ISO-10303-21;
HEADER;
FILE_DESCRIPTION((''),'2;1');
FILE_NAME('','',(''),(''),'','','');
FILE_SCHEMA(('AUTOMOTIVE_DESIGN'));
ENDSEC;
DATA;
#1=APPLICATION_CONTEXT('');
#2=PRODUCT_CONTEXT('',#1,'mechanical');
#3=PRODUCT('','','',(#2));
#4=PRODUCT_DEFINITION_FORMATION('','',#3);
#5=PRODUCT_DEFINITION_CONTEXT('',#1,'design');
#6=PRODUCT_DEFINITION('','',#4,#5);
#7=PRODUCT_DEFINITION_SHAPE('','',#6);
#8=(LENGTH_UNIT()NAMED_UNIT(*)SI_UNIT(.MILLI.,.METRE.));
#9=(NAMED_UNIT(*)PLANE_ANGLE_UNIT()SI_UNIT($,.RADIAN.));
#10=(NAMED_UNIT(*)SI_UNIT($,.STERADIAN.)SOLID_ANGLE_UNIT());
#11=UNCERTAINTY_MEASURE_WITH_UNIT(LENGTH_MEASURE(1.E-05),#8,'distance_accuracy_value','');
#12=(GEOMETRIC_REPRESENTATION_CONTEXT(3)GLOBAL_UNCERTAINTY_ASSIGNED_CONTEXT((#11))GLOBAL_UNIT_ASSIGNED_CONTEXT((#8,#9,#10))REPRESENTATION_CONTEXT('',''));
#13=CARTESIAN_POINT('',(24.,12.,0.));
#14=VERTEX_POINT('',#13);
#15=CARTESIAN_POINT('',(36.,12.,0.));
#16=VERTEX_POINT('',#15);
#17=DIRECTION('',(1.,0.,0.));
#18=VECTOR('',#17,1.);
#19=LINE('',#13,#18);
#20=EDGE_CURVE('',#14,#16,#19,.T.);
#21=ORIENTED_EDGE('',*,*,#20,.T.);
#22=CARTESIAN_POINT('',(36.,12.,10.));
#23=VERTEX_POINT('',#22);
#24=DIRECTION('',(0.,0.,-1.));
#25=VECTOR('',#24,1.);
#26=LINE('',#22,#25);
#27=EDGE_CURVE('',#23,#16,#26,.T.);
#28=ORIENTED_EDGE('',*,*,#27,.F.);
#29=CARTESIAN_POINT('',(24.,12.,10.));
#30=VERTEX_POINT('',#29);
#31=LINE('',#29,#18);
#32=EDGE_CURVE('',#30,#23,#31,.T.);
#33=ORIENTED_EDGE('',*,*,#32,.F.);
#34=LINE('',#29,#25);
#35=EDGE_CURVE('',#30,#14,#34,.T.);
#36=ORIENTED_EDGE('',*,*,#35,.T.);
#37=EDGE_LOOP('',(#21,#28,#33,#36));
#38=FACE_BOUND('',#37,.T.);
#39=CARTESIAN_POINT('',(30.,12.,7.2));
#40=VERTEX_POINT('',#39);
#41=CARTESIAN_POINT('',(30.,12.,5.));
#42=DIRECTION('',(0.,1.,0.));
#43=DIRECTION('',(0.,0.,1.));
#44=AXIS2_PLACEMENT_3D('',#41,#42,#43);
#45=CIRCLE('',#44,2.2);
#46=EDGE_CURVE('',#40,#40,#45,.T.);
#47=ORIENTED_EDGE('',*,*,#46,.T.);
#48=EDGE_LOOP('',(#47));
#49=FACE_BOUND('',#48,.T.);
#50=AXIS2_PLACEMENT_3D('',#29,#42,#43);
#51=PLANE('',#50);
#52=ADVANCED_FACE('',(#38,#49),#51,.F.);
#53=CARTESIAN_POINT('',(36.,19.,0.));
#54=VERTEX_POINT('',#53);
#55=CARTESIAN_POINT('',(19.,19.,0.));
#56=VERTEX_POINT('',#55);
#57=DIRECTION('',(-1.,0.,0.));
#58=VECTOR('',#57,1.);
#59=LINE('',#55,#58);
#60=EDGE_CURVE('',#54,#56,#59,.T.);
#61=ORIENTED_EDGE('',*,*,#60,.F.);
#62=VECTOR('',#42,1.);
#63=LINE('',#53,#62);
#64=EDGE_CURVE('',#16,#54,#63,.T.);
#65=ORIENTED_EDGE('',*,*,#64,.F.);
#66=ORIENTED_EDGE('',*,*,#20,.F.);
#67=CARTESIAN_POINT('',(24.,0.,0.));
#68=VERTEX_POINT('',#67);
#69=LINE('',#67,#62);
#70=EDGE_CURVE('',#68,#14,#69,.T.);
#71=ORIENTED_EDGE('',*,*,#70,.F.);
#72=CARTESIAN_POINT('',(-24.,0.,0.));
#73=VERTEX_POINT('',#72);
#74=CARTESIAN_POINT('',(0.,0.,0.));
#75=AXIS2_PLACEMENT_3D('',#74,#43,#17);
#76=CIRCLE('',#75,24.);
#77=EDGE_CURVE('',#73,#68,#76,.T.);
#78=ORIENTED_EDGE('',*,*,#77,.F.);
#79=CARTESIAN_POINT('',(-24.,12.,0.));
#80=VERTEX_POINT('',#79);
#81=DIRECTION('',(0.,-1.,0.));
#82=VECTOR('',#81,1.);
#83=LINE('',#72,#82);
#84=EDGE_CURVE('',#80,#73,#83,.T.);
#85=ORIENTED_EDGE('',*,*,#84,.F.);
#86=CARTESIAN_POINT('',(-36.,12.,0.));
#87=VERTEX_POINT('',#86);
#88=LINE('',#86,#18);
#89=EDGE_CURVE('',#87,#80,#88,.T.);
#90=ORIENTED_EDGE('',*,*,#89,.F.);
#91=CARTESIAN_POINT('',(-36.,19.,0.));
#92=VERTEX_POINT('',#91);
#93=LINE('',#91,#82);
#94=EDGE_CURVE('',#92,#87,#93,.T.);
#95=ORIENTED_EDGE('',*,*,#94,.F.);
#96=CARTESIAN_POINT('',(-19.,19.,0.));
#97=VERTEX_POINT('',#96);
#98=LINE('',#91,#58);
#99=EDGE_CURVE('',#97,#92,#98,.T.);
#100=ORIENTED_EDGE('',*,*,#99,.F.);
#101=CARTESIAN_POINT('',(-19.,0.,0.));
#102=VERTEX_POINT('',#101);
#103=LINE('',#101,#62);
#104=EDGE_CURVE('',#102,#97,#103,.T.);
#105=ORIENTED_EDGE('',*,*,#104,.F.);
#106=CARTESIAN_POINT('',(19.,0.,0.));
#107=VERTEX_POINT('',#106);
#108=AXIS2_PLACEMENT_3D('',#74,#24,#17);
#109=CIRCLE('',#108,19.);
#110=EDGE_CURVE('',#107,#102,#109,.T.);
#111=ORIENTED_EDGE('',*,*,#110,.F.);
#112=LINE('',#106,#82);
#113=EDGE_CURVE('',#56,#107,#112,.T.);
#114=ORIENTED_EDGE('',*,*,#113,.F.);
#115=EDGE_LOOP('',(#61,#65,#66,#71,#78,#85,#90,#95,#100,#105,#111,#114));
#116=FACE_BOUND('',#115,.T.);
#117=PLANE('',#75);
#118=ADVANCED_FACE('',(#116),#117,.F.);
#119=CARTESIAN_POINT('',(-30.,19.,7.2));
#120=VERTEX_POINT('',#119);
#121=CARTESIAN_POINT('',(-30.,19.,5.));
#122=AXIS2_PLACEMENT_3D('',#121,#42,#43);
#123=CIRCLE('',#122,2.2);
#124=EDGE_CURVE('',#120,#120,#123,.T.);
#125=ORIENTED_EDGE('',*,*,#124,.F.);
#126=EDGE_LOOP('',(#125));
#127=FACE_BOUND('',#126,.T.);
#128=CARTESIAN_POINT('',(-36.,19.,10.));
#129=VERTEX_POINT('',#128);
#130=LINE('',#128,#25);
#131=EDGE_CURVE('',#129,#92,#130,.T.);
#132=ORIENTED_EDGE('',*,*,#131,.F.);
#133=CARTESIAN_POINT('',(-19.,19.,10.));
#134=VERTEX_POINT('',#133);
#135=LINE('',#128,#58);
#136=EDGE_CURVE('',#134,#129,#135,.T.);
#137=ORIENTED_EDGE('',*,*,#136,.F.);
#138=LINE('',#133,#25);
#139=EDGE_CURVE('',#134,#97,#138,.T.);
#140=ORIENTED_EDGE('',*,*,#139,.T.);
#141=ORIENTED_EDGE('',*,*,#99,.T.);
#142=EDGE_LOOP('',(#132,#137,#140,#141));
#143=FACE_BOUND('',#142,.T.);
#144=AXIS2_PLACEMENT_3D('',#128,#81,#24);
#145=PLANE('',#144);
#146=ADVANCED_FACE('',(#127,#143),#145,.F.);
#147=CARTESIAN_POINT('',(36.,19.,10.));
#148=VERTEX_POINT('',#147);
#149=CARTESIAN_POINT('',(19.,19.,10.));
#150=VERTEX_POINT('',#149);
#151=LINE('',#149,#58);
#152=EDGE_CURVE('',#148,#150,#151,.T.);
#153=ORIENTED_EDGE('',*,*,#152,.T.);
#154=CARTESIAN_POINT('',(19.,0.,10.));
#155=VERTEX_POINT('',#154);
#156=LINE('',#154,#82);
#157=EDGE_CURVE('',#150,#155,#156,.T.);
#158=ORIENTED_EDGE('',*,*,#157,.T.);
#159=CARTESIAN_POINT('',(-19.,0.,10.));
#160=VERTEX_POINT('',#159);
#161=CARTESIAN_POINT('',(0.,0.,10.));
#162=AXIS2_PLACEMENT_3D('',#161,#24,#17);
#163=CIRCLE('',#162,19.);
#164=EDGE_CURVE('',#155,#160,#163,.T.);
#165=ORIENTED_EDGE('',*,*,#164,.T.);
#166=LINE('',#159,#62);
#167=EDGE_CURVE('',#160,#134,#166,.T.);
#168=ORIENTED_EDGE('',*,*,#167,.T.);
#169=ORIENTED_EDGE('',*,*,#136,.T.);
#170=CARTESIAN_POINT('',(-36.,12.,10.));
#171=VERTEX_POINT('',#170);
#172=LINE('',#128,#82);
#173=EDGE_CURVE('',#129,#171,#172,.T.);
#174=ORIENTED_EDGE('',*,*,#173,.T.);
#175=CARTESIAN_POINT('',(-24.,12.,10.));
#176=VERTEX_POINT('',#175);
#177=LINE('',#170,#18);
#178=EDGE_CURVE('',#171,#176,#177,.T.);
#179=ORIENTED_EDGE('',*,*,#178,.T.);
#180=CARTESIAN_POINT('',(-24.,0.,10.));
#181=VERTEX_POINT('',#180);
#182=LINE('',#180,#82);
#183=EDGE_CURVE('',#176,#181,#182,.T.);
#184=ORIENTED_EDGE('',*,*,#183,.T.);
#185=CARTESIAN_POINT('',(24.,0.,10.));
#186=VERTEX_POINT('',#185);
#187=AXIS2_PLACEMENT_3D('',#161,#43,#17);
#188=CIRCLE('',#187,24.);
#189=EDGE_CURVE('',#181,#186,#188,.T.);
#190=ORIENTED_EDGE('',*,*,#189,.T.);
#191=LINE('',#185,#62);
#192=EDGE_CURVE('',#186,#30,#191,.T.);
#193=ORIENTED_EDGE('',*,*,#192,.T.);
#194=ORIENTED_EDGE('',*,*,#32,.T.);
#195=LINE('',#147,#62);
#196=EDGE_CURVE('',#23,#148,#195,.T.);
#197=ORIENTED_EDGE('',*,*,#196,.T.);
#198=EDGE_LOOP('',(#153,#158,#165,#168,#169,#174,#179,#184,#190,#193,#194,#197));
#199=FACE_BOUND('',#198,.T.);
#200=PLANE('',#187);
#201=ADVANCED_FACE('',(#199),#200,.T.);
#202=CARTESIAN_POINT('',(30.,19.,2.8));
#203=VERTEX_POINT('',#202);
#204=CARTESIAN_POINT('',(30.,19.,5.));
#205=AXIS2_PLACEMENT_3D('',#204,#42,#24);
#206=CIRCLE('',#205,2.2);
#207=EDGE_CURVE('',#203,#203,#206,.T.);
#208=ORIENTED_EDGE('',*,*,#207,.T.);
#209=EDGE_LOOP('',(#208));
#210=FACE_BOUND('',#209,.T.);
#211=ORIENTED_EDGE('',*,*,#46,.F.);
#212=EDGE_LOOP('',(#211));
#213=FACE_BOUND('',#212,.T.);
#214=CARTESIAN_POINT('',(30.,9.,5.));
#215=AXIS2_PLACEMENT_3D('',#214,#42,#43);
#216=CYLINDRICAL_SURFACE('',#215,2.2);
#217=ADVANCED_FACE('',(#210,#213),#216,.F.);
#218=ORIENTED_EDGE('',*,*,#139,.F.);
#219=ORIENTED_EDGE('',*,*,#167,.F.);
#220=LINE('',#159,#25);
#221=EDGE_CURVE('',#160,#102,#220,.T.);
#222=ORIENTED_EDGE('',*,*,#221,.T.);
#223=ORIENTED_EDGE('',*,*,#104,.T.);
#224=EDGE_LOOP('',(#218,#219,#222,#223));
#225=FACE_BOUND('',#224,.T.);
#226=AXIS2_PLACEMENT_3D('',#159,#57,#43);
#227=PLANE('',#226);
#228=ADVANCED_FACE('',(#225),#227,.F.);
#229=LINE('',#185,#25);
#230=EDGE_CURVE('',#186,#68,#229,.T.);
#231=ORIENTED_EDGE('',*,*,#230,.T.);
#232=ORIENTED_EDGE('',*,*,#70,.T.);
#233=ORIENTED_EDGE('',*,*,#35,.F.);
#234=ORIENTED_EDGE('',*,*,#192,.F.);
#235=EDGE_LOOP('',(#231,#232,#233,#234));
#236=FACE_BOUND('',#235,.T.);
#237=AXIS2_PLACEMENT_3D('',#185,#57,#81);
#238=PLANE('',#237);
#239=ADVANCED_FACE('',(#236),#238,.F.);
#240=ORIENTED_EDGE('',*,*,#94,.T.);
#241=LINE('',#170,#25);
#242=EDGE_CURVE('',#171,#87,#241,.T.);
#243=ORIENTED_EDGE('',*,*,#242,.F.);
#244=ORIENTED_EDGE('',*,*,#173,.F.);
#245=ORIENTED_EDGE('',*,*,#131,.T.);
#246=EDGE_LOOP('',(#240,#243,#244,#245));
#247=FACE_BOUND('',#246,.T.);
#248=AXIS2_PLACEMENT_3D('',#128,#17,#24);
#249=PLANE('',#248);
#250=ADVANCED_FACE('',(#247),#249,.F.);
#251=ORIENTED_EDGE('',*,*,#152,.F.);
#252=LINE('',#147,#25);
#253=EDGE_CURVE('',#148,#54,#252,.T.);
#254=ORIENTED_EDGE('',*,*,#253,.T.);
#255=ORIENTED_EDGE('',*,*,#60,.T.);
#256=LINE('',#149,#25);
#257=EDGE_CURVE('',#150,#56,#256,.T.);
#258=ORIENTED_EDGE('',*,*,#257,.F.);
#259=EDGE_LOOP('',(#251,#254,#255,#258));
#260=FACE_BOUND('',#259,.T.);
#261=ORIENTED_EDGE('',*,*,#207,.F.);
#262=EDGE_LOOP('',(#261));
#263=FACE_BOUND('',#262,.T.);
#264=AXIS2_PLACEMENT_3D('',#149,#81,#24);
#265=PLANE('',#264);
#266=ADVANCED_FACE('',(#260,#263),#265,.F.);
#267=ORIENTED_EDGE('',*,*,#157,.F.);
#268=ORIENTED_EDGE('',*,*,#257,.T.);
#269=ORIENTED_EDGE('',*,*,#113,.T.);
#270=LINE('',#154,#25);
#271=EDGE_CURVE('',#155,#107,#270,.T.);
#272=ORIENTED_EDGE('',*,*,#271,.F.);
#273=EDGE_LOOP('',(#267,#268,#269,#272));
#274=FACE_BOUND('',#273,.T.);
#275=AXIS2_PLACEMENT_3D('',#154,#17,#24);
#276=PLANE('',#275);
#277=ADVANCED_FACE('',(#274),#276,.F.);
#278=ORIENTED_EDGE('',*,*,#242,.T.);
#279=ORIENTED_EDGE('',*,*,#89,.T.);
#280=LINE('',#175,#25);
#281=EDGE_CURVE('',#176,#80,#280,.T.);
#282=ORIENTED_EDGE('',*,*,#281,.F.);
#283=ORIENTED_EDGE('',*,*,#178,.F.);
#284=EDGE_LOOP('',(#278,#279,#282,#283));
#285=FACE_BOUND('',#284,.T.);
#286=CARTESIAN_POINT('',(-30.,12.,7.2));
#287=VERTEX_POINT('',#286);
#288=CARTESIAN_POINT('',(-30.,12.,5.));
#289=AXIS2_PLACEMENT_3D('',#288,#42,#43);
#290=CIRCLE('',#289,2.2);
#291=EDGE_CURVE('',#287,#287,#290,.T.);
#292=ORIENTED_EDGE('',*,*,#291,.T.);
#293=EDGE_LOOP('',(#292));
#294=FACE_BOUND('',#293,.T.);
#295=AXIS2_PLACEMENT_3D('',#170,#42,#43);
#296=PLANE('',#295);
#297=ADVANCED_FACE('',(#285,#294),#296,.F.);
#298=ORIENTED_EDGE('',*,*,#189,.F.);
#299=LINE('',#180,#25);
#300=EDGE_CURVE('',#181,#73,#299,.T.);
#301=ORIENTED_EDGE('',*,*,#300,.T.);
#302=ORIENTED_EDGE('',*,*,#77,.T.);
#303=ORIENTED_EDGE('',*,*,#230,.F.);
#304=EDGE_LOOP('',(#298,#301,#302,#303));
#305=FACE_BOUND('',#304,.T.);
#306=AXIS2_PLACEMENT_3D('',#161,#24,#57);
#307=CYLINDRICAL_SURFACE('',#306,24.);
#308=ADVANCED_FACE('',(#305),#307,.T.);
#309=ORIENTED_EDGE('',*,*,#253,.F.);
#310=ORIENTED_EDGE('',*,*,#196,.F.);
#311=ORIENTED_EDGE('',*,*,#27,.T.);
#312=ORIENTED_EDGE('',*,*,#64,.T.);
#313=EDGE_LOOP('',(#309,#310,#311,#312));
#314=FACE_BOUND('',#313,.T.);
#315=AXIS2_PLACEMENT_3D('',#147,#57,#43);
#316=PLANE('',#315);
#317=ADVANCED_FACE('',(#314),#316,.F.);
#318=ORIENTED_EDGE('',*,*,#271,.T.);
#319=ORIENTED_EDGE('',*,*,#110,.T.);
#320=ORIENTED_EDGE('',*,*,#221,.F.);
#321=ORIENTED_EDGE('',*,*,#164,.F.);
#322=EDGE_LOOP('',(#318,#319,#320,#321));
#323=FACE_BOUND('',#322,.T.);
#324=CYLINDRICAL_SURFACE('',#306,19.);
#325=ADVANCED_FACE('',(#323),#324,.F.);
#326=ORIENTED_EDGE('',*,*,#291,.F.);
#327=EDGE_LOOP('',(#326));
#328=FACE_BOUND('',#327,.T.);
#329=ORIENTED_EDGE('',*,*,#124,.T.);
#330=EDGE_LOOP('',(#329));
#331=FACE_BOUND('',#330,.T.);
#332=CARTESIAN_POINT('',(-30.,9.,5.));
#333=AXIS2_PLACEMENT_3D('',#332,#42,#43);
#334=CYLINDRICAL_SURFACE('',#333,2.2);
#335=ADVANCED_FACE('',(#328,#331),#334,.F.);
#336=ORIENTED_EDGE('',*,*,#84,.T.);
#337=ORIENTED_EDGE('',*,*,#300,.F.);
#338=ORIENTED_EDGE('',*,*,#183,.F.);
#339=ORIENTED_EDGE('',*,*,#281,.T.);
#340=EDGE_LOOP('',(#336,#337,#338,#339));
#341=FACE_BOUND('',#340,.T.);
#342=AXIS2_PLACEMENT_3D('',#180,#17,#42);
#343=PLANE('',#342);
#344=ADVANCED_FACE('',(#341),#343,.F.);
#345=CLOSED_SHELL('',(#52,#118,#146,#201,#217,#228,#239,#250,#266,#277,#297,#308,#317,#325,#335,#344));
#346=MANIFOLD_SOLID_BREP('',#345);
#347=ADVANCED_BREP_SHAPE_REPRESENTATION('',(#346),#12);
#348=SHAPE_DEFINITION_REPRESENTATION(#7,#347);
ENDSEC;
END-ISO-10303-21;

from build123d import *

# Parameters (mm, degrees)
RESSALTO_EXTRUS_O1_DEPTH = 10
ESBO_O2_R                = 2.2
CORTE_EXTRUS_O1_DEPTH    = 10


with BuildPart() as part:
    # Esboço1 → Ressalto-extrusão1 (new body)
    with BuildSketch(Plane.XY):
        with BuildLine():
            Line((-36, 19), (-19, 19))
            Line((-19, 19), (-19, 0))
            ThreePointArc((-19, 0), (0, -19), (19, 0))
            Line((19, 0), (19, 19))
            Line((19, 19), (36, 19))
            Line((36, 19), (36, 12))
            Line((36, 12), (24, 12))
            Line((24, 12), (24, 0))
            ThreePointArc((24, 0), (0, -24), (-24, 0))
            Line((-24, 0), (-24, 12))
            Line((-24, 12), (-36, 12))
            Line((-36, 12), (-36, 19))
        make_face()
    extrude(amount=RESSALTO_EXTRUS_O1_DEPTH)

    # Esboço2 → Corte-extrusão1 (cut)
    with BuildSketch(Plane(origin=(0, 19, 0), x_dir=(1, 0, 0), z_dir=(0, 1, 0))):
        with Locations((-30, -5)):
            Circle(ESBO_O2_R)
        with Locations((30, -5)):
            Circle(ESBO_O2_R)
    extrude(amount=-CORTE_EXTRUS_O1_DEPTH, mode=Mode.SUBTRACT)


solid = part.part
